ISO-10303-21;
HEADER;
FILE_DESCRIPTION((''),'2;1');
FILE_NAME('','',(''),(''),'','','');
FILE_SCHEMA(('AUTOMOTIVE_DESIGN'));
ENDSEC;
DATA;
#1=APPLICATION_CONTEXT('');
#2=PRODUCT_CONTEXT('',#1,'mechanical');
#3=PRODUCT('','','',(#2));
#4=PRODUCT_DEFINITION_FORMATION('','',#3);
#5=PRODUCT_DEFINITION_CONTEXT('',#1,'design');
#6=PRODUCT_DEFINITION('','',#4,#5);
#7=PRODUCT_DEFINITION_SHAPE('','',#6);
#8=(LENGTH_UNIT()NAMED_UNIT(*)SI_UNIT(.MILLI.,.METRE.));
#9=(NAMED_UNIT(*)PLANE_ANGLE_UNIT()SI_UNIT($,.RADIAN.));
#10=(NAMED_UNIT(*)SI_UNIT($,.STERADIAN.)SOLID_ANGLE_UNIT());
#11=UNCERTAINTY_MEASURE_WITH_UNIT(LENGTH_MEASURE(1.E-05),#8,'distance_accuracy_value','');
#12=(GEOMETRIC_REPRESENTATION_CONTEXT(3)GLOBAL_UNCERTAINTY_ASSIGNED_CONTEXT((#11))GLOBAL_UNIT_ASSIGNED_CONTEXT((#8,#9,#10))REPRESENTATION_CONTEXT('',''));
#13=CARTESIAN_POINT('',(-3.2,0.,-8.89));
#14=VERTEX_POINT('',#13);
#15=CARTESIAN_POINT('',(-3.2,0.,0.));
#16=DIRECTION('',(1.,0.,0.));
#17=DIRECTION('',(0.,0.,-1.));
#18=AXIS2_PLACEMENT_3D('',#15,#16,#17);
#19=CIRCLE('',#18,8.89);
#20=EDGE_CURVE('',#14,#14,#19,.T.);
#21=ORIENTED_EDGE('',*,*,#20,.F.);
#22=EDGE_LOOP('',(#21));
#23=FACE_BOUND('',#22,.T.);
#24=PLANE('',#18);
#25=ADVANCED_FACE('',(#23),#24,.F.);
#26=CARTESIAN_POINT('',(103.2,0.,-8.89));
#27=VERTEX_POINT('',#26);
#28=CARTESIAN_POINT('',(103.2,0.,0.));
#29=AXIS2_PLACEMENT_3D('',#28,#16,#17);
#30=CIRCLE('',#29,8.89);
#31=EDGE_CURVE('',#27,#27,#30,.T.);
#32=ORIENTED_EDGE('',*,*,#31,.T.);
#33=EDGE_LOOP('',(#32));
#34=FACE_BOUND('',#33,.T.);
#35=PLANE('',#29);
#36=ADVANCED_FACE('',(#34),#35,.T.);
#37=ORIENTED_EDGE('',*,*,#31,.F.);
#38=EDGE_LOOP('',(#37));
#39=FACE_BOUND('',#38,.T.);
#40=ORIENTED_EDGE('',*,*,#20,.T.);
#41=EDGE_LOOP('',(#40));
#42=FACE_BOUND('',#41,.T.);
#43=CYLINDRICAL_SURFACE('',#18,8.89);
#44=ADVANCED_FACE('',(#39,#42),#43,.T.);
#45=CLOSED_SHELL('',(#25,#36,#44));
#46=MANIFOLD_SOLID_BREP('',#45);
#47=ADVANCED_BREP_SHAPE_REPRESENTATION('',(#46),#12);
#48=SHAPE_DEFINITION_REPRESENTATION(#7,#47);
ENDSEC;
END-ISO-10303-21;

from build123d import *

# Parameters (mm, degrees)
BOSS_EXTRUDE1_DEPTH      = 103.2
BOSS_EXTRUDE1_DEPTH_BACK = 3.2
SKETCH1_R                = 8.89


with BuildPart() as part:
    # Sketch1 → Boss-Extrude1 (new, two sides: drawn at the far end of the back side and taken through both)
    with BuildSketch(Plane(origin=(0, 0, 0), x_dir=(0, 0, -1), z_dir=(1, 0, 0)).offset(-BOSS_EXTRUDE1_DEPTH_BACK)):
        Circle(SKETCH1_R)
    extrude(amount=BOSS_EXTRUDE1_DEPTH + BOSS_EXTRUDE1_DEPTH_BACK)


solid = part.part
